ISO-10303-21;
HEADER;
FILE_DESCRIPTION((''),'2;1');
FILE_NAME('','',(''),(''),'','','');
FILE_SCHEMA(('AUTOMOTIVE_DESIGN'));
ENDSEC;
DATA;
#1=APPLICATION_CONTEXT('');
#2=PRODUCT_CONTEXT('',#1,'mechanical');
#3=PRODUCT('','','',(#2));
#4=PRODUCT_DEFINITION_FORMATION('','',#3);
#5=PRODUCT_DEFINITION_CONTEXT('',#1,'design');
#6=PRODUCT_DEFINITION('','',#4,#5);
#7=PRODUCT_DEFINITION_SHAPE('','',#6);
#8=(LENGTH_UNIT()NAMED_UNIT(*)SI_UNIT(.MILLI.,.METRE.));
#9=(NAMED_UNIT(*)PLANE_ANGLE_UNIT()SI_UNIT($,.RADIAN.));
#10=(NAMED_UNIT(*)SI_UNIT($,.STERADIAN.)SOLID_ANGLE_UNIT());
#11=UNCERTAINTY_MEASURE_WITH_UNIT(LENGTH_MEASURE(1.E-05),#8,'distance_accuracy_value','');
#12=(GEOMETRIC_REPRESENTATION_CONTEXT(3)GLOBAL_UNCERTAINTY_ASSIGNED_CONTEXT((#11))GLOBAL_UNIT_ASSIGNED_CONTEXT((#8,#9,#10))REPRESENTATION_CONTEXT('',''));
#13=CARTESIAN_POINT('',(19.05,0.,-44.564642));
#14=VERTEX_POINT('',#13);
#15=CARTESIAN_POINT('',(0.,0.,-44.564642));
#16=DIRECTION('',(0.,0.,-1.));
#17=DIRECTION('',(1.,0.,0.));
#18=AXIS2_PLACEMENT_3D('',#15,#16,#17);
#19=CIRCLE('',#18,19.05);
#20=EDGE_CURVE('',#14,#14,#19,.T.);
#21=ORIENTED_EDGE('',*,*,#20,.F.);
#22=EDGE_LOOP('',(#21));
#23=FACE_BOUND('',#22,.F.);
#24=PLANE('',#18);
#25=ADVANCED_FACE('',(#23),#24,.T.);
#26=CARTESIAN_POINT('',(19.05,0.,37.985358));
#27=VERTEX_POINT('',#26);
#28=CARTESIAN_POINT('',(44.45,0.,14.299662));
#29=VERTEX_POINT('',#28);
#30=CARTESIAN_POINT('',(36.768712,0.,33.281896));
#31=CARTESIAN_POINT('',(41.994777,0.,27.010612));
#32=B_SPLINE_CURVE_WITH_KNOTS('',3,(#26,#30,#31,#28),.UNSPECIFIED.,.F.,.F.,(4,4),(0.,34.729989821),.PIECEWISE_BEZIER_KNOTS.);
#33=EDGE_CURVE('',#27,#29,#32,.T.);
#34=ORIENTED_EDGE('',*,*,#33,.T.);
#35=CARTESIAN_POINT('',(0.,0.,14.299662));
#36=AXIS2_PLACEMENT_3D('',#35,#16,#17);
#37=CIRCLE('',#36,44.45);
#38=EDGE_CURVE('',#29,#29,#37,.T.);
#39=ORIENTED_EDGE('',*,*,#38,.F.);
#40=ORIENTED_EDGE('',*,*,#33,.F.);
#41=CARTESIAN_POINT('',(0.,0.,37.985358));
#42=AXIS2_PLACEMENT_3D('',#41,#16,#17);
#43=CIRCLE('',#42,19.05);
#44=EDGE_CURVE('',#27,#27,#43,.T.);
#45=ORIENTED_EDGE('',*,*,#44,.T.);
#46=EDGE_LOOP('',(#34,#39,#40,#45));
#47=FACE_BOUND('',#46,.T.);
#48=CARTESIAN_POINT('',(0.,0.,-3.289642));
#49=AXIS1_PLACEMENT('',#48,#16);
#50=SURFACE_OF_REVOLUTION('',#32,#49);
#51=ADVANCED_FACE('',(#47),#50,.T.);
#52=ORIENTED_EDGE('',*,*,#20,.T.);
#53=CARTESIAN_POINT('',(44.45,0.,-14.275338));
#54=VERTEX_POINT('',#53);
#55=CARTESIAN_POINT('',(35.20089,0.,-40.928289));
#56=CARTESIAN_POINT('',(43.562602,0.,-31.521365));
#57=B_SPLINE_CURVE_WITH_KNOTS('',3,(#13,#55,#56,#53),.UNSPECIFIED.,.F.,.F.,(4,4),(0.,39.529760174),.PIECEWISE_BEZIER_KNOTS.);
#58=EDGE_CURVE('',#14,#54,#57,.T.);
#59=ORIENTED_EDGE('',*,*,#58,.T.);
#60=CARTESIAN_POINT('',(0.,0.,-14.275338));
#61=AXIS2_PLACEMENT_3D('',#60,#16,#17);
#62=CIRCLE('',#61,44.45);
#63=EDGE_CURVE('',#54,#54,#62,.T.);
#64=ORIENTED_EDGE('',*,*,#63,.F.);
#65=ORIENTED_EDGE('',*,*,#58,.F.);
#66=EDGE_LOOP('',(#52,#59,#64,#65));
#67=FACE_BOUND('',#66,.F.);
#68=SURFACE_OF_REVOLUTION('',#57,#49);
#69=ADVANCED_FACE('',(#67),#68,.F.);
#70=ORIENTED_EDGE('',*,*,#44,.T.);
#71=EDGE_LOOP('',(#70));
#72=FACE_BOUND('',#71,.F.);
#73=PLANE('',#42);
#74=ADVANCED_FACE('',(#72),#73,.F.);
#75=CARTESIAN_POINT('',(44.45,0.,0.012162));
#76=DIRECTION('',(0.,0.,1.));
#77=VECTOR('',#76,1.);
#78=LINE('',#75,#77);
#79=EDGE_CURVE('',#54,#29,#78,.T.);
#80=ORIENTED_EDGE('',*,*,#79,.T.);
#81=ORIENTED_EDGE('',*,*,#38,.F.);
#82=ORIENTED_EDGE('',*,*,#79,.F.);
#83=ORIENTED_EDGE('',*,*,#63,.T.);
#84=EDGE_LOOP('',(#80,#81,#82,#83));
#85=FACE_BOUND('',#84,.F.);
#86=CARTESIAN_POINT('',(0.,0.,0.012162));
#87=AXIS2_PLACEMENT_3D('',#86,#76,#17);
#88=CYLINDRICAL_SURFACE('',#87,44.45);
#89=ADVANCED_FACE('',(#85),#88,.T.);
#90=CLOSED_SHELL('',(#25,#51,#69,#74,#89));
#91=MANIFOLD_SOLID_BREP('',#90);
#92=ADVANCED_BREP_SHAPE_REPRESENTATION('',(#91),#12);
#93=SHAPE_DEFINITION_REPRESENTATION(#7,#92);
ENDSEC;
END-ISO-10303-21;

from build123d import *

# Parameters (mm, degrees)
F0_W = 44.45
F0_H = 28.575


with BuildPart() as f1:
    # F0 (on Front) → F1 (revolve)
    with BuildSketch(Plane.XZ):
        with Locations((22.225, 0.0121624306)):
            Rectangle(F0_W, F0_H)
    revolve(axis=Axis((0, 0, -3.2896416128), (0, 0, -1)))

    # F0 (on Front) → F2 (revolve)
    with BuildSketch(Plane.XZ):
        with BuildLine():
            Line((44.45, -14.2753375694), (0, -14.2753375694))
            Line((0, -14.2753375694), (0, -44.5646416128))
            Line((0, -44.5646416128), (19.05, -44.5646416128))
            add(Edge.make_bspline(
                [(19.05, -44.5646416128), (35.2008901536, -40.9282892942), (43.5626022518, -31.5213650465), (44.45, -14.2753375694)],
                knots=[0, 0, 0, 0, 39.5297601742, 39.5297601742, 39.5297601742, 39.5297601742], degree=3))
        make_face()
    revolve(axis=Axis((0, 0, -3.2896416128), (0, 0, -1)))

    # F0 (on Front) → F3 (revolve)
    with BuildSketch(Plane.XZ):
        with BuildLine():
            Line((19.05, 37.9853583872), (0, 37.9853583872))
            Line((0, 37.9853583872), (0, 14.2996624306))
            Line((0, 14.2996624306), (44.45, 14.2996624306))
            add(Edge.make_bspline(
                [(19.05, 37.9853583872), (36.7687121034, 33.2818962634), (41.9947765768, 27.0106121898), (44.45, 14.2996624306)],
                knots=[0, 0, 0, 0, 34.7299898208, 34.7299898208, 34.7299898208, 34.7299898208], degree=3))
        make_face()
    revolve(axis=Axis((0, 0, -3.2896416128), (0, 0, -1)))


solid = f1.part
